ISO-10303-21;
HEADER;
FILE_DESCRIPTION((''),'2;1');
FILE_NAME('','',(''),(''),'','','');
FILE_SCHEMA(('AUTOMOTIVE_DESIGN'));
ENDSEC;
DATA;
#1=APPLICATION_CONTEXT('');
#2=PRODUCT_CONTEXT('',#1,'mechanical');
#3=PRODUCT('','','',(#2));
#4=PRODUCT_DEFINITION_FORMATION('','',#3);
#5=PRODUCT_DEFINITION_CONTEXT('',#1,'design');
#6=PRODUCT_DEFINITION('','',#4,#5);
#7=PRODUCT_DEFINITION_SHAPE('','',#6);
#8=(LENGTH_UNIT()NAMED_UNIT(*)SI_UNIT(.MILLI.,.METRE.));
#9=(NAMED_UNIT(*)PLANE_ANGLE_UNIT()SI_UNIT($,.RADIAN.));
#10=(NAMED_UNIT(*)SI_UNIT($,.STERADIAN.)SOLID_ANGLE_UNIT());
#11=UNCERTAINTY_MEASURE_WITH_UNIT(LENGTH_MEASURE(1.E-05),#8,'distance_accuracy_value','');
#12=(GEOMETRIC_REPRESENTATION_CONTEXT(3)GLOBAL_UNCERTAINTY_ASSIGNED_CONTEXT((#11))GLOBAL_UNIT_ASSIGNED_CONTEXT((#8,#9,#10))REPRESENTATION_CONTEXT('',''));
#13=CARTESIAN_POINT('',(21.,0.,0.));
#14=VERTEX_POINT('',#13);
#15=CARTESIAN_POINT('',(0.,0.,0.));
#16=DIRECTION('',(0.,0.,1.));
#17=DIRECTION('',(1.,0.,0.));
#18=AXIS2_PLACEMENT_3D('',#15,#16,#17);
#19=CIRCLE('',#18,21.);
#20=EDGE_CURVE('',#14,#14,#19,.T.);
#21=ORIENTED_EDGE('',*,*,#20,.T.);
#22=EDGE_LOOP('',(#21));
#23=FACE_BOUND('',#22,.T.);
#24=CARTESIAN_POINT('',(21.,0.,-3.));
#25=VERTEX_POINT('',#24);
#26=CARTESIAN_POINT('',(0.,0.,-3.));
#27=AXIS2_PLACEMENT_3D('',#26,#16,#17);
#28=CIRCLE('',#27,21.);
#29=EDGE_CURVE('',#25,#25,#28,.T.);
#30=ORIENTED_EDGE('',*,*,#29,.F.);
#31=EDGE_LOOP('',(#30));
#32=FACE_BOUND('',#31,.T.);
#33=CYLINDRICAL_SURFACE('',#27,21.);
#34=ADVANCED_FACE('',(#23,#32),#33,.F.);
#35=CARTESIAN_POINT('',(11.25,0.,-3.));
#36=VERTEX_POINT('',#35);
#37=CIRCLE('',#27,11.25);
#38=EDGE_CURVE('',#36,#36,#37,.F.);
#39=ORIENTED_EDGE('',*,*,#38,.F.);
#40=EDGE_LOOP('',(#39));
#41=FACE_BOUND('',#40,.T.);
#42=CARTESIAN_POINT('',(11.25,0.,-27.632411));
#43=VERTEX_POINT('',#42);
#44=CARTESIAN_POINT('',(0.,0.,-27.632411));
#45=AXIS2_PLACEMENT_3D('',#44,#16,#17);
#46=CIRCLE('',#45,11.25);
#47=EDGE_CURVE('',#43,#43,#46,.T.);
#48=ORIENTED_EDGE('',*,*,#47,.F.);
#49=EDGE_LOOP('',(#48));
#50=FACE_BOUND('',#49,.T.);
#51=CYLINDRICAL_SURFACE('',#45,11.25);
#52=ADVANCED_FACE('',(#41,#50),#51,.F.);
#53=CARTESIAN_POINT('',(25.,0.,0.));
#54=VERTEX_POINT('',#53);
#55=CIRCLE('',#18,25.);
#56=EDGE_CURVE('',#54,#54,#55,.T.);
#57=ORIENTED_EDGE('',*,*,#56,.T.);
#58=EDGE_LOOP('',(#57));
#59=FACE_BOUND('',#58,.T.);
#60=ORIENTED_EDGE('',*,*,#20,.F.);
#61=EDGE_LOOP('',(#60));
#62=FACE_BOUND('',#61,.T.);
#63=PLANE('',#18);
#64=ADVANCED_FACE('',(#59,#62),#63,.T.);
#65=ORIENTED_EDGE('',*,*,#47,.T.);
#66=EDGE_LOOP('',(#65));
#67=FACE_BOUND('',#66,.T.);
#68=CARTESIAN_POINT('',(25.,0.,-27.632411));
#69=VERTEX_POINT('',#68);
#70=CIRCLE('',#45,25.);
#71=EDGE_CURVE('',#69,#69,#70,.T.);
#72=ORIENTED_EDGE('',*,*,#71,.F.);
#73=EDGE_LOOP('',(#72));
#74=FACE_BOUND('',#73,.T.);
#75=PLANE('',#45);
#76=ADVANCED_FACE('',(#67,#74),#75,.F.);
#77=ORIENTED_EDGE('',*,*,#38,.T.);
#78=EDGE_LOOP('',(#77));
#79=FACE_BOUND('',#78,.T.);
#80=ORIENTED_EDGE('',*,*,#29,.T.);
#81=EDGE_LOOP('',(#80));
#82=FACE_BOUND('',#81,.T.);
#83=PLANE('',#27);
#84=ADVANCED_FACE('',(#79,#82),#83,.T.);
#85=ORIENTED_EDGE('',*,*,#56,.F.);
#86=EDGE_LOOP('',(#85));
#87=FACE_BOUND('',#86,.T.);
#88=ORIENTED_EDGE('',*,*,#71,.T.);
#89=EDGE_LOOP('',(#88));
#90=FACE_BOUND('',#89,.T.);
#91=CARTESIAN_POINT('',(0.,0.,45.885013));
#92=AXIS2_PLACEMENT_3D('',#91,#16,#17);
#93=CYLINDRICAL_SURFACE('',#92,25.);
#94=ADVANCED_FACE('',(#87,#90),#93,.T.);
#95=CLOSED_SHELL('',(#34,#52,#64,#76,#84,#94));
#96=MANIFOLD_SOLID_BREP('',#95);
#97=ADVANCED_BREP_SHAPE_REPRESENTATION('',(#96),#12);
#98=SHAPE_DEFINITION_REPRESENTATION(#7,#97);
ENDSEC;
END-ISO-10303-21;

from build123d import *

# Parameters (mm, degrees)
CROQUIS3_W            = 27.632411408
CROQUIS3_H            = 25
CROQUIS5_R            = 11.25
CORTAR_EXTRUIR1_DEPTH = 45.872599214
CROQUIS6_R            = 21
CORTAR_EXTRUIR2_DEPTH = 3


with BuildPart() as part:
    # Croquis3 → Revolución5 (revolve)
    with BuildSketch(Plane(origin=(0, 0, 0), x_dir=(0, 0, -1), z_dir=(1, 0, 0)), mode=Mode.PRIVATE) as revoluci_n5_sk:
        with Locations((13.816205704, -12.5)):
            Rectangle(CROQUIS3_W, CROQUIS3_H)
    revolve(revoluci_n5_sk.sketch.rotate(Axis((0, 0, 45.885013439), (0, 0, -1)), 270), axis=Axis((0, 0, 45.885013439), (0, 0, -1)))

    # Croquis5 → Cortar-Extruir1 (cut, through all)
    with BuildSketch(Plane.XY):
        Circle(CROQUIS5_R)
    extrude(amount=-CORTAR_EXTRUIR1_DEPTH, mode=Mode.SUBTRACT)

    # Croquis6 → Cortar-Extruir2 (cut)
    with BuildSketch(Plane.XY):
        Circle(CROQUIS6_R)
    extrude(amount=-CORTAR_EXTRUIR2_DEPTH, mode=Mode.SUBTRACT)


solid = part.part
